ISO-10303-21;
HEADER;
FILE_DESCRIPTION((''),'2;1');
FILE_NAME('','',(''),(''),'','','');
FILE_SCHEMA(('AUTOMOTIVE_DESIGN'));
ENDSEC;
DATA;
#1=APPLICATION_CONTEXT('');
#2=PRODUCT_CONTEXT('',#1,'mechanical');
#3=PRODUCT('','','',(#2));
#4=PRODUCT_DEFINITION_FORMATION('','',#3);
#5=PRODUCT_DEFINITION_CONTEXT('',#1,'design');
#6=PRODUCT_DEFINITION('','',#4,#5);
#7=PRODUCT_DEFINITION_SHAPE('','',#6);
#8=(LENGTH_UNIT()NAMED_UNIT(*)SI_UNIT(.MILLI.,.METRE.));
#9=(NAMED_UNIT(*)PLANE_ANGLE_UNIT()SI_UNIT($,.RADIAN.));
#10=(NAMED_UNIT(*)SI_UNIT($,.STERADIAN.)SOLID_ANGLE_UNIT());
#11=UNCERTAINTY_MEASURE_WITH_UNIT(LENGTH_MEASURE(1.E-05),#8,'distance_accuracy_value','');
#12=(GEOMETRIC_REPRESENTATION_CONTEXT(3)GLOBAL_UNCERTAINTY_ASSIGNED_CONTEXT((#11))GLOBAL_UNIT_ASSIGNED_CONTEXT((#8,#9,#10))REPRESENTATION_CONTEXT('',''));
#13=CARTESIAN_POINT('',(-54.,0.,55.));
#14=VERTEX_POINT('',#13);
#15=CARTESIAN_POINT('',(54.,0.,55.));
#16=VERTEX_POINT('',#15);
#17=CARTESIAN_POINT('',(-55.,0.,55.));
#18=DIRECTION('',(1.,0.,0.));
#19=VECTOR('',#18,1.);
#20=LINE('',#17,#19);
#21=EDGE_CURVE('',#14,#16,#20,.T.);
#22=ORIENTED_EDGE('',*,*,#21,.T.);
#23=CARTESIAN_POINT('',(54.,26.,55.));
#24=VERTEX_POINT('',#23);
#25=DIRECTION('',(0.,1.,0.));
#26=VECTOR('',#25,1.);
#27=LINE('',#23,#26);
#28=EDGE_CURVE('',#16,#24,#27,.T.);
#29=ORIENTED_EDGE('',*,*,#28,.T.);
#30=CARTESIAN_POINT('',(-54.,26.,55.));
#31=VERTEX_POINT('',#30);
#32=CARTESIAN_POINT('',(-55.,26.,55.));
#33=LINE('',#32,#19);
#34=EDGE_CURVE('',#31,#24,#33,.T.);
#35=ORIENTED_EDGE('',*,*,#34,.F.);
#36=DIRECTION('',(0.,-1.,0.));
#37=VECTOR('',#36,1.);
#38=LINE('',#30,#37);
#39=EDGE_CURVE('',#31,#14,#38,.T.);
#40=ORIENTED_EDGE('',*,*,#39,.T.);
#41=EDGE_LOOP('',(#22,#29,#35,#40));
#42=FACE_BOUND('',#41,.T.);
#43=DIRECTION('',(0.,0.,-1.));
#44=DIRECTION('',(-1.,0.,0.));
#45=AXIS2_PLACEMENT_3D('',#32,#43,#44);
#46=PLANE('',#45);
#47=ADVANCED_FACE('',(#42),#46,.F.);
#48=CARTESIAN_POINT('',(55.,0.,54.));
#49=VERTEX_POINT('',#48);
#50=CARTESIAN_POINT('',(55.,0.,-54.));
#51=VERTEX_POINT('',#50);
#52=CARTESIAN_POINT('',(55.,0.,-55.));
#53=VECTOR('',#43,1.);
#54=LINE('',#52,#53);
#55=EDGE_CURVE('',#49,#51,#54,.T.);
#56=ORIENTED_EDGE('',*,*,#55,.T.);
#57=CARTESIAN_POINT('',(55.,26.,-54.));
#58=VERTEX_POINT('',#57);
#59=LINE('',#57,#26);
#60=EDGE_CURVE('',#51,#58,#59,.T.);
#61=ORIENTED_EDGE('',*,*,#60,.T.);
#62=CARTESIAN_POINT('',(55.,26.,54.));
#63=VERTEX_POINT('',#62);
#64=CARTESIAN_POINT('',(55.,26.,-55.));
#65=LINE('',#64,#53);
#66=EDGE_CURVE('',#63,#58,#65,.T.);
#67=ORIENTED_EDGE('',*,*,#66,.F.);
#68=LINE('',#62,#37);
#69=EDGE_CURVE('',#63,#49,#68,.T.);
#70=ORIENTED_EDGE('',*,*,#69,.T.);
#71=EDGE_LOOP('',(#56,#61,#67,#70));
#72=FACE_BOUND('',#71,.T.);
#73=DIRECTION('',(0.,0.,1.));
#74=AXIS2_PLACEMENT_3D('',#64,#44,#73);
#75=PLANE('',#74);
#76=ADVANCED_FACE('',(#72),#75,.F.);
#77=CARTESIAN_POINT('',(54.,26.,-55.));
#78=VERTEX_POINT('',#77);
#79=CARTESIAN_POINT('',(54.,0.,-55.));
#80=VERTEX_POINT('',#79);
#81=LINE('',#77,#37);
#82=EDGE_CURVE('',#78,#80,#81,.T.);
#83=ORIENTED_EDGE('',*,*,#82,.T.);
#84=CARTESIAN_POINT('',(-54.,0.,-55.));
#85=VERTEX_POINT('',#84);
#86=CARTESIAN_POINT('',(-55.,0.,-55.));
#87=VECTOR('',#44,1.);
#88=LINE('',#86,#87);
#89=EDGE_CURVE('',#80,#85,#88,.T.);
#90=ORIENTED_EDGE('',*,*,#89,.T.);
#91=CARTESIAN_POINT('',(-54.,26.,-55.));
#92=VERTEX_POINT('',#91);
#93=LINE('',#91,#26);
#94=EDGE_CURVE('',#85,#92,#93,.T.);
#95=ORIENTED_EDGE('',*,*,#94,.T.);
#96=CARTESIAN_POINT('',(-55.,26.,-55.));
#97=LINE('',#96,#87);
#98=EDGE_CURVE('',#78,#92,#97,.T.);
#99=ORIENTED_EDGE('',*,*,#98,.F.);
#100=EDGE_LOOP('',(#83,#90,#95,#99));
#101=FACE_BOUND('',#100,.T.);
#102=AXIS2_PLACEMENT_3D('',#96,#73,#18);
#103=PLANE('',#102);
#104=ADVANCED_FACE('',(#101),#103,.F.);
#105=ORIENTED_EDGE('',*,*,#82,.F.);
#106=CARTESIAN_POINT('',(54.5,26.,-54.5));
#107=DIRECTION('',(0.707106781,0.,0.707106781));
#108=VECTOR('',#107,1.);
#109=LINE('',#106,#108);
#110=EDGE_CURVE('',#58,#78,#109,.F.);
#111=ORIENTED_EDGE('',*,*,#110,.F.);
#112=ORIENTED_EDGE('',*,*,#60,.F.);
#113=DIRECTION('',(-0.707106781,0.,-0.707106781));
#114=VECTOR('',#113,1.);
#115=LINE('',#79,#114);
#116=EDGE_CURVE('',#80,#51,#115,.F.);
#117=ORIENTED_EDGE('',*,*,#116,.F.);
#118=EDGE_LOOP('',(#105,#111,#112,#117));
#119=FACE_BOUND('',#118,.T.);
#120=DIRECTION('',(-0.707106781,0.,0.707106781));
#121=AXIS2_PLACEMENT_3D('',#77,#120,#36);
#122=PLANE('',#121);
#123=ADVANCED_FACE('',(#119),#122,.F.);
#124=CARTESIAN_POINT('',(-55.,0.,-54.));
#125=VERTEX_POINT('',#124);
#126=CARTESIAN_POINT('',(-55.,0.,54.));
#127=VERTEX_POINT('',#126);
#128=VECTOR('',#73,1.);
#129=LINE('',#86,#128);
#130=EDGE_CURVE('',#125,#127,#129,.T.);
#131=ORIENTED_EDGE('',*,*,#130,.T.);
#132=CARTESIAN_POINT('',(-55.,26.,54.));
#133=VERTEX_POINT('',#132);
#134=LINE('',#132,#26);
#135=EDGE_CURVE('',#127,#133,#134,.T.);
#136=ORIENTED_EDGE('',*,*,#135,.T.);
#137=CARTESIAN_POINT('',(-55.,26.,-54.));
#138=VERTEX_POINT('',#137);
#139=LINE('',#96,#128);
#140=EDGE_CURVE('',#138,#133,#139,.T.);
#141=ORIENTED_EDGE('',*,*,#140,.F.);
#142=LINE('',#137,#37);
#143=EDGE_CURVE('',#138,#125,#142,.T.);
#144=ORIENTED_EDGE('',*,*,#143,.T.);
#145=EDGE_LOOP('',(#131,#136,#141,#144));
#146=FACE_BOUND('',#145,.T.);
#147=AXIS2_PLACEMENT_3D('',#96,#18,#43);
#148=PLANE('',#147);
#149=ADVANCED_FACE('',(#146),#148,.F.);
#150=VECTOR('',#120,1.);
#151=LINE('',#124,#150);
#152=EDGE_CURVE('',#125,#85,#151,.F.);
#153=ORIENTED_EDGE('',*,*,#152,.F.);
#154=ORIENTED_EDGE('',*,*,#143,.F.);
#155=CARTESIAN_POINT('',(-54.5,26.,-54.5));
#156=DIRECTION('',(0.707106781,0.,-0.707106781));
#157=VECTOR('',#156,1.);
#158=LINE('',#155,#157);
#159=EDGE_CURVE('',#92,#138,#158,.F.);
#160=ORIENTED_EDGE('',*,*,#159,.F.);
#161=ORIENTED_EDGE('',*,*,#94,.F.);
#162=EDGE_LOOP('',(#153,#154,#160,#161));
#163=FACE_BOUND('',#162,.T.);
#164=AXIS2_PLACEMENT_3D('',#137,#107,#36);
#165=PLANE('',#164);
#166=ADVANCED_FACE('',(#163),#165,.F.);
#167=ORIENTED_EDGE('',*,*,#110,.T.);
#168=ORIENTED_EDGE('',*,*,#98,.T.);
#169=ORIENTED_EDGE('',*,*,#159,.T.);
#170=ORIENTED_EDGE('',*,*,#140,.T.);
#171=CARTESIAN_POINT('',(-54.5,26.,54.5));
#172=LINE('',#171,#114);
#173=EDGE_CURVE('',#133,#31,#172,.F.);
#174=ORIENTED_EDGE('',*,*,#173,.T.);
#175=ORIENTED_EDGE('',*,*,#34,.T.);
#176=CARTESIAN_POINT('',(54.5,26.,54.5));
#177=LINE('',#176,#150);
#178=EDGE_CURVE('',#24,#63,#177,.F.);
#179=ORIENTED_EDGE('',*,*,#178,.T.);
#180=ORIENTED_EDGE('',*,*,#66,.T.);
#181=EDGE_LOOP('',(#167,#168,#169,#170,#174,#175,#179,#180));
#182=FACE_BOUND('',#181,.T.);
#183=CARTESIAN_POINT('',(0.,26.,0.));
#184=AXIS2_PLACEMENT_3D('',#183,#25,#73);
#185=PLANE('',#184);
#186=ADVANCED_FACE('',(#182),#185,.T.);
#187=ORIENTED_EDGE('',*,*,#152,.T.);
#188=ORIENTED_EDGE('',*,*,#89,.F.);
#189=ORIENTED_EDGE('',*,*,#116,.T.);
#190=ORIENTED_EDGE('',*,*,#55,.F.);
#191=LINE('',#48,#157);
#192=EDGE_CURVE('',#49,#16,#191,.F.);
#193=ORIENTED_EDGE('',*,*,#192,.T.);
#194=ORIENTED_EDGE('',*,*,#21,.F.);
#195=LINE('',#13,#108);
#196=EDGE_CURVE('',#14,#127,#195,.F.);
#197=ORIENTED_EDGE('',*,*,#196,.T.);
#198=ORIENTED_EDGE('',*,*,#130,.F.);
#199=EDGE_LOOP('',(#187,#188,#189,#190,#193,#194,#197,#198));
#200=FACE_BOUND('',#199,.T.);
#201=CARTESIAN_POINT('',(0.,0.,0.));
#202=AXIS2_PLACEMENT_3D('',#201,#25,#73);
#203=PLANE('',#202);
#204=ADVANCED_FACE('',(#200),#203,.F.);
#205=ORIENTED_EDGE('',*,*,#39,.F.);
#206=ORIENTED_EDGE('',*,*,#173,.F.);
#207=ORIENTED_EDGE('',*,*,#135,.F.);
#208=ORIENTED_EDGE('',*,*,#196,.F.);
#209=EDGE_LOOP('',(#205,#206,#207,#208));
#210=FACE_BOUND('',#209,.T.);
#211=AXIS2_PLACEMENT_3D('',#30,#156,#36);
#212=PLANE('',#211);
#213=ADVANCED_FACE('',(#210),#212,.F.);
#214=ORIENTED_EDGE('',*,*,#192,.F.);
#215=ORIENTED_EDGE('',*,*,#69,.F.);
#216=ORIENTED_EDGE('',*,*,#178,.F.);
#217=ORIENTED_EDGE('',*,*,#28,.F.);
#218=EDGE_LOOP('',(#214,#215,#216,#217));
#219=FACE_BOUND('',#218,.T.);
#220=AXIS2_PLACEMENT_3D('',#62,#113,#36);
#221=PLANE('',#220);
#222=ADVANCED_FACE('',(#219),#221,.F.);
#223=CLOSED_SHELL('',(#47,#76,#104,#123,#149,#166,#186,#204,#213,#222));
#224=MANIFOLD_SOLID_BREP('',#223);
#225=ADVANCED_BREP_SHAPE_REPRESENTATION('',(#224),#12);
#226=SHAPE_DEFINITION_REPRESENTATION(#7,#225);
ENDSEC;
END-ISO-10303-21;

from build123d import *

# Parameters (mm, degrees)
SKETCH_1_W      = 110
SKETCH_1_H      = 110
EXTRUDE_1_DEPTH = 26
CHAMFER_1_SIZE  = 1


with BuildPart() as part:
    # 草图1 → 凸台-拉伸1 (new body)
    with BuildSketch(Plane(origin=(0, 0, 0), x_dir=(1, 0, 0), z_dir=(0, 1, 0))):
        Rectangle(SKETCH_1_W, SKETCH_1_H)
    extrude(amount=EXTRUDE_1_DEPTH)

    # 倒角1
    chamfer_1_edges = [part.edges().sort_by_distance(p)[0] for p in [
        (55, 13, 55),
        (-55, 13, 55),
        (-55, 13, -55),
        (55, 13, -55),
    ]]
    chamfer(chamfer_1_edges, length=CHAMFER_1_SIZE)


solid = part.part
